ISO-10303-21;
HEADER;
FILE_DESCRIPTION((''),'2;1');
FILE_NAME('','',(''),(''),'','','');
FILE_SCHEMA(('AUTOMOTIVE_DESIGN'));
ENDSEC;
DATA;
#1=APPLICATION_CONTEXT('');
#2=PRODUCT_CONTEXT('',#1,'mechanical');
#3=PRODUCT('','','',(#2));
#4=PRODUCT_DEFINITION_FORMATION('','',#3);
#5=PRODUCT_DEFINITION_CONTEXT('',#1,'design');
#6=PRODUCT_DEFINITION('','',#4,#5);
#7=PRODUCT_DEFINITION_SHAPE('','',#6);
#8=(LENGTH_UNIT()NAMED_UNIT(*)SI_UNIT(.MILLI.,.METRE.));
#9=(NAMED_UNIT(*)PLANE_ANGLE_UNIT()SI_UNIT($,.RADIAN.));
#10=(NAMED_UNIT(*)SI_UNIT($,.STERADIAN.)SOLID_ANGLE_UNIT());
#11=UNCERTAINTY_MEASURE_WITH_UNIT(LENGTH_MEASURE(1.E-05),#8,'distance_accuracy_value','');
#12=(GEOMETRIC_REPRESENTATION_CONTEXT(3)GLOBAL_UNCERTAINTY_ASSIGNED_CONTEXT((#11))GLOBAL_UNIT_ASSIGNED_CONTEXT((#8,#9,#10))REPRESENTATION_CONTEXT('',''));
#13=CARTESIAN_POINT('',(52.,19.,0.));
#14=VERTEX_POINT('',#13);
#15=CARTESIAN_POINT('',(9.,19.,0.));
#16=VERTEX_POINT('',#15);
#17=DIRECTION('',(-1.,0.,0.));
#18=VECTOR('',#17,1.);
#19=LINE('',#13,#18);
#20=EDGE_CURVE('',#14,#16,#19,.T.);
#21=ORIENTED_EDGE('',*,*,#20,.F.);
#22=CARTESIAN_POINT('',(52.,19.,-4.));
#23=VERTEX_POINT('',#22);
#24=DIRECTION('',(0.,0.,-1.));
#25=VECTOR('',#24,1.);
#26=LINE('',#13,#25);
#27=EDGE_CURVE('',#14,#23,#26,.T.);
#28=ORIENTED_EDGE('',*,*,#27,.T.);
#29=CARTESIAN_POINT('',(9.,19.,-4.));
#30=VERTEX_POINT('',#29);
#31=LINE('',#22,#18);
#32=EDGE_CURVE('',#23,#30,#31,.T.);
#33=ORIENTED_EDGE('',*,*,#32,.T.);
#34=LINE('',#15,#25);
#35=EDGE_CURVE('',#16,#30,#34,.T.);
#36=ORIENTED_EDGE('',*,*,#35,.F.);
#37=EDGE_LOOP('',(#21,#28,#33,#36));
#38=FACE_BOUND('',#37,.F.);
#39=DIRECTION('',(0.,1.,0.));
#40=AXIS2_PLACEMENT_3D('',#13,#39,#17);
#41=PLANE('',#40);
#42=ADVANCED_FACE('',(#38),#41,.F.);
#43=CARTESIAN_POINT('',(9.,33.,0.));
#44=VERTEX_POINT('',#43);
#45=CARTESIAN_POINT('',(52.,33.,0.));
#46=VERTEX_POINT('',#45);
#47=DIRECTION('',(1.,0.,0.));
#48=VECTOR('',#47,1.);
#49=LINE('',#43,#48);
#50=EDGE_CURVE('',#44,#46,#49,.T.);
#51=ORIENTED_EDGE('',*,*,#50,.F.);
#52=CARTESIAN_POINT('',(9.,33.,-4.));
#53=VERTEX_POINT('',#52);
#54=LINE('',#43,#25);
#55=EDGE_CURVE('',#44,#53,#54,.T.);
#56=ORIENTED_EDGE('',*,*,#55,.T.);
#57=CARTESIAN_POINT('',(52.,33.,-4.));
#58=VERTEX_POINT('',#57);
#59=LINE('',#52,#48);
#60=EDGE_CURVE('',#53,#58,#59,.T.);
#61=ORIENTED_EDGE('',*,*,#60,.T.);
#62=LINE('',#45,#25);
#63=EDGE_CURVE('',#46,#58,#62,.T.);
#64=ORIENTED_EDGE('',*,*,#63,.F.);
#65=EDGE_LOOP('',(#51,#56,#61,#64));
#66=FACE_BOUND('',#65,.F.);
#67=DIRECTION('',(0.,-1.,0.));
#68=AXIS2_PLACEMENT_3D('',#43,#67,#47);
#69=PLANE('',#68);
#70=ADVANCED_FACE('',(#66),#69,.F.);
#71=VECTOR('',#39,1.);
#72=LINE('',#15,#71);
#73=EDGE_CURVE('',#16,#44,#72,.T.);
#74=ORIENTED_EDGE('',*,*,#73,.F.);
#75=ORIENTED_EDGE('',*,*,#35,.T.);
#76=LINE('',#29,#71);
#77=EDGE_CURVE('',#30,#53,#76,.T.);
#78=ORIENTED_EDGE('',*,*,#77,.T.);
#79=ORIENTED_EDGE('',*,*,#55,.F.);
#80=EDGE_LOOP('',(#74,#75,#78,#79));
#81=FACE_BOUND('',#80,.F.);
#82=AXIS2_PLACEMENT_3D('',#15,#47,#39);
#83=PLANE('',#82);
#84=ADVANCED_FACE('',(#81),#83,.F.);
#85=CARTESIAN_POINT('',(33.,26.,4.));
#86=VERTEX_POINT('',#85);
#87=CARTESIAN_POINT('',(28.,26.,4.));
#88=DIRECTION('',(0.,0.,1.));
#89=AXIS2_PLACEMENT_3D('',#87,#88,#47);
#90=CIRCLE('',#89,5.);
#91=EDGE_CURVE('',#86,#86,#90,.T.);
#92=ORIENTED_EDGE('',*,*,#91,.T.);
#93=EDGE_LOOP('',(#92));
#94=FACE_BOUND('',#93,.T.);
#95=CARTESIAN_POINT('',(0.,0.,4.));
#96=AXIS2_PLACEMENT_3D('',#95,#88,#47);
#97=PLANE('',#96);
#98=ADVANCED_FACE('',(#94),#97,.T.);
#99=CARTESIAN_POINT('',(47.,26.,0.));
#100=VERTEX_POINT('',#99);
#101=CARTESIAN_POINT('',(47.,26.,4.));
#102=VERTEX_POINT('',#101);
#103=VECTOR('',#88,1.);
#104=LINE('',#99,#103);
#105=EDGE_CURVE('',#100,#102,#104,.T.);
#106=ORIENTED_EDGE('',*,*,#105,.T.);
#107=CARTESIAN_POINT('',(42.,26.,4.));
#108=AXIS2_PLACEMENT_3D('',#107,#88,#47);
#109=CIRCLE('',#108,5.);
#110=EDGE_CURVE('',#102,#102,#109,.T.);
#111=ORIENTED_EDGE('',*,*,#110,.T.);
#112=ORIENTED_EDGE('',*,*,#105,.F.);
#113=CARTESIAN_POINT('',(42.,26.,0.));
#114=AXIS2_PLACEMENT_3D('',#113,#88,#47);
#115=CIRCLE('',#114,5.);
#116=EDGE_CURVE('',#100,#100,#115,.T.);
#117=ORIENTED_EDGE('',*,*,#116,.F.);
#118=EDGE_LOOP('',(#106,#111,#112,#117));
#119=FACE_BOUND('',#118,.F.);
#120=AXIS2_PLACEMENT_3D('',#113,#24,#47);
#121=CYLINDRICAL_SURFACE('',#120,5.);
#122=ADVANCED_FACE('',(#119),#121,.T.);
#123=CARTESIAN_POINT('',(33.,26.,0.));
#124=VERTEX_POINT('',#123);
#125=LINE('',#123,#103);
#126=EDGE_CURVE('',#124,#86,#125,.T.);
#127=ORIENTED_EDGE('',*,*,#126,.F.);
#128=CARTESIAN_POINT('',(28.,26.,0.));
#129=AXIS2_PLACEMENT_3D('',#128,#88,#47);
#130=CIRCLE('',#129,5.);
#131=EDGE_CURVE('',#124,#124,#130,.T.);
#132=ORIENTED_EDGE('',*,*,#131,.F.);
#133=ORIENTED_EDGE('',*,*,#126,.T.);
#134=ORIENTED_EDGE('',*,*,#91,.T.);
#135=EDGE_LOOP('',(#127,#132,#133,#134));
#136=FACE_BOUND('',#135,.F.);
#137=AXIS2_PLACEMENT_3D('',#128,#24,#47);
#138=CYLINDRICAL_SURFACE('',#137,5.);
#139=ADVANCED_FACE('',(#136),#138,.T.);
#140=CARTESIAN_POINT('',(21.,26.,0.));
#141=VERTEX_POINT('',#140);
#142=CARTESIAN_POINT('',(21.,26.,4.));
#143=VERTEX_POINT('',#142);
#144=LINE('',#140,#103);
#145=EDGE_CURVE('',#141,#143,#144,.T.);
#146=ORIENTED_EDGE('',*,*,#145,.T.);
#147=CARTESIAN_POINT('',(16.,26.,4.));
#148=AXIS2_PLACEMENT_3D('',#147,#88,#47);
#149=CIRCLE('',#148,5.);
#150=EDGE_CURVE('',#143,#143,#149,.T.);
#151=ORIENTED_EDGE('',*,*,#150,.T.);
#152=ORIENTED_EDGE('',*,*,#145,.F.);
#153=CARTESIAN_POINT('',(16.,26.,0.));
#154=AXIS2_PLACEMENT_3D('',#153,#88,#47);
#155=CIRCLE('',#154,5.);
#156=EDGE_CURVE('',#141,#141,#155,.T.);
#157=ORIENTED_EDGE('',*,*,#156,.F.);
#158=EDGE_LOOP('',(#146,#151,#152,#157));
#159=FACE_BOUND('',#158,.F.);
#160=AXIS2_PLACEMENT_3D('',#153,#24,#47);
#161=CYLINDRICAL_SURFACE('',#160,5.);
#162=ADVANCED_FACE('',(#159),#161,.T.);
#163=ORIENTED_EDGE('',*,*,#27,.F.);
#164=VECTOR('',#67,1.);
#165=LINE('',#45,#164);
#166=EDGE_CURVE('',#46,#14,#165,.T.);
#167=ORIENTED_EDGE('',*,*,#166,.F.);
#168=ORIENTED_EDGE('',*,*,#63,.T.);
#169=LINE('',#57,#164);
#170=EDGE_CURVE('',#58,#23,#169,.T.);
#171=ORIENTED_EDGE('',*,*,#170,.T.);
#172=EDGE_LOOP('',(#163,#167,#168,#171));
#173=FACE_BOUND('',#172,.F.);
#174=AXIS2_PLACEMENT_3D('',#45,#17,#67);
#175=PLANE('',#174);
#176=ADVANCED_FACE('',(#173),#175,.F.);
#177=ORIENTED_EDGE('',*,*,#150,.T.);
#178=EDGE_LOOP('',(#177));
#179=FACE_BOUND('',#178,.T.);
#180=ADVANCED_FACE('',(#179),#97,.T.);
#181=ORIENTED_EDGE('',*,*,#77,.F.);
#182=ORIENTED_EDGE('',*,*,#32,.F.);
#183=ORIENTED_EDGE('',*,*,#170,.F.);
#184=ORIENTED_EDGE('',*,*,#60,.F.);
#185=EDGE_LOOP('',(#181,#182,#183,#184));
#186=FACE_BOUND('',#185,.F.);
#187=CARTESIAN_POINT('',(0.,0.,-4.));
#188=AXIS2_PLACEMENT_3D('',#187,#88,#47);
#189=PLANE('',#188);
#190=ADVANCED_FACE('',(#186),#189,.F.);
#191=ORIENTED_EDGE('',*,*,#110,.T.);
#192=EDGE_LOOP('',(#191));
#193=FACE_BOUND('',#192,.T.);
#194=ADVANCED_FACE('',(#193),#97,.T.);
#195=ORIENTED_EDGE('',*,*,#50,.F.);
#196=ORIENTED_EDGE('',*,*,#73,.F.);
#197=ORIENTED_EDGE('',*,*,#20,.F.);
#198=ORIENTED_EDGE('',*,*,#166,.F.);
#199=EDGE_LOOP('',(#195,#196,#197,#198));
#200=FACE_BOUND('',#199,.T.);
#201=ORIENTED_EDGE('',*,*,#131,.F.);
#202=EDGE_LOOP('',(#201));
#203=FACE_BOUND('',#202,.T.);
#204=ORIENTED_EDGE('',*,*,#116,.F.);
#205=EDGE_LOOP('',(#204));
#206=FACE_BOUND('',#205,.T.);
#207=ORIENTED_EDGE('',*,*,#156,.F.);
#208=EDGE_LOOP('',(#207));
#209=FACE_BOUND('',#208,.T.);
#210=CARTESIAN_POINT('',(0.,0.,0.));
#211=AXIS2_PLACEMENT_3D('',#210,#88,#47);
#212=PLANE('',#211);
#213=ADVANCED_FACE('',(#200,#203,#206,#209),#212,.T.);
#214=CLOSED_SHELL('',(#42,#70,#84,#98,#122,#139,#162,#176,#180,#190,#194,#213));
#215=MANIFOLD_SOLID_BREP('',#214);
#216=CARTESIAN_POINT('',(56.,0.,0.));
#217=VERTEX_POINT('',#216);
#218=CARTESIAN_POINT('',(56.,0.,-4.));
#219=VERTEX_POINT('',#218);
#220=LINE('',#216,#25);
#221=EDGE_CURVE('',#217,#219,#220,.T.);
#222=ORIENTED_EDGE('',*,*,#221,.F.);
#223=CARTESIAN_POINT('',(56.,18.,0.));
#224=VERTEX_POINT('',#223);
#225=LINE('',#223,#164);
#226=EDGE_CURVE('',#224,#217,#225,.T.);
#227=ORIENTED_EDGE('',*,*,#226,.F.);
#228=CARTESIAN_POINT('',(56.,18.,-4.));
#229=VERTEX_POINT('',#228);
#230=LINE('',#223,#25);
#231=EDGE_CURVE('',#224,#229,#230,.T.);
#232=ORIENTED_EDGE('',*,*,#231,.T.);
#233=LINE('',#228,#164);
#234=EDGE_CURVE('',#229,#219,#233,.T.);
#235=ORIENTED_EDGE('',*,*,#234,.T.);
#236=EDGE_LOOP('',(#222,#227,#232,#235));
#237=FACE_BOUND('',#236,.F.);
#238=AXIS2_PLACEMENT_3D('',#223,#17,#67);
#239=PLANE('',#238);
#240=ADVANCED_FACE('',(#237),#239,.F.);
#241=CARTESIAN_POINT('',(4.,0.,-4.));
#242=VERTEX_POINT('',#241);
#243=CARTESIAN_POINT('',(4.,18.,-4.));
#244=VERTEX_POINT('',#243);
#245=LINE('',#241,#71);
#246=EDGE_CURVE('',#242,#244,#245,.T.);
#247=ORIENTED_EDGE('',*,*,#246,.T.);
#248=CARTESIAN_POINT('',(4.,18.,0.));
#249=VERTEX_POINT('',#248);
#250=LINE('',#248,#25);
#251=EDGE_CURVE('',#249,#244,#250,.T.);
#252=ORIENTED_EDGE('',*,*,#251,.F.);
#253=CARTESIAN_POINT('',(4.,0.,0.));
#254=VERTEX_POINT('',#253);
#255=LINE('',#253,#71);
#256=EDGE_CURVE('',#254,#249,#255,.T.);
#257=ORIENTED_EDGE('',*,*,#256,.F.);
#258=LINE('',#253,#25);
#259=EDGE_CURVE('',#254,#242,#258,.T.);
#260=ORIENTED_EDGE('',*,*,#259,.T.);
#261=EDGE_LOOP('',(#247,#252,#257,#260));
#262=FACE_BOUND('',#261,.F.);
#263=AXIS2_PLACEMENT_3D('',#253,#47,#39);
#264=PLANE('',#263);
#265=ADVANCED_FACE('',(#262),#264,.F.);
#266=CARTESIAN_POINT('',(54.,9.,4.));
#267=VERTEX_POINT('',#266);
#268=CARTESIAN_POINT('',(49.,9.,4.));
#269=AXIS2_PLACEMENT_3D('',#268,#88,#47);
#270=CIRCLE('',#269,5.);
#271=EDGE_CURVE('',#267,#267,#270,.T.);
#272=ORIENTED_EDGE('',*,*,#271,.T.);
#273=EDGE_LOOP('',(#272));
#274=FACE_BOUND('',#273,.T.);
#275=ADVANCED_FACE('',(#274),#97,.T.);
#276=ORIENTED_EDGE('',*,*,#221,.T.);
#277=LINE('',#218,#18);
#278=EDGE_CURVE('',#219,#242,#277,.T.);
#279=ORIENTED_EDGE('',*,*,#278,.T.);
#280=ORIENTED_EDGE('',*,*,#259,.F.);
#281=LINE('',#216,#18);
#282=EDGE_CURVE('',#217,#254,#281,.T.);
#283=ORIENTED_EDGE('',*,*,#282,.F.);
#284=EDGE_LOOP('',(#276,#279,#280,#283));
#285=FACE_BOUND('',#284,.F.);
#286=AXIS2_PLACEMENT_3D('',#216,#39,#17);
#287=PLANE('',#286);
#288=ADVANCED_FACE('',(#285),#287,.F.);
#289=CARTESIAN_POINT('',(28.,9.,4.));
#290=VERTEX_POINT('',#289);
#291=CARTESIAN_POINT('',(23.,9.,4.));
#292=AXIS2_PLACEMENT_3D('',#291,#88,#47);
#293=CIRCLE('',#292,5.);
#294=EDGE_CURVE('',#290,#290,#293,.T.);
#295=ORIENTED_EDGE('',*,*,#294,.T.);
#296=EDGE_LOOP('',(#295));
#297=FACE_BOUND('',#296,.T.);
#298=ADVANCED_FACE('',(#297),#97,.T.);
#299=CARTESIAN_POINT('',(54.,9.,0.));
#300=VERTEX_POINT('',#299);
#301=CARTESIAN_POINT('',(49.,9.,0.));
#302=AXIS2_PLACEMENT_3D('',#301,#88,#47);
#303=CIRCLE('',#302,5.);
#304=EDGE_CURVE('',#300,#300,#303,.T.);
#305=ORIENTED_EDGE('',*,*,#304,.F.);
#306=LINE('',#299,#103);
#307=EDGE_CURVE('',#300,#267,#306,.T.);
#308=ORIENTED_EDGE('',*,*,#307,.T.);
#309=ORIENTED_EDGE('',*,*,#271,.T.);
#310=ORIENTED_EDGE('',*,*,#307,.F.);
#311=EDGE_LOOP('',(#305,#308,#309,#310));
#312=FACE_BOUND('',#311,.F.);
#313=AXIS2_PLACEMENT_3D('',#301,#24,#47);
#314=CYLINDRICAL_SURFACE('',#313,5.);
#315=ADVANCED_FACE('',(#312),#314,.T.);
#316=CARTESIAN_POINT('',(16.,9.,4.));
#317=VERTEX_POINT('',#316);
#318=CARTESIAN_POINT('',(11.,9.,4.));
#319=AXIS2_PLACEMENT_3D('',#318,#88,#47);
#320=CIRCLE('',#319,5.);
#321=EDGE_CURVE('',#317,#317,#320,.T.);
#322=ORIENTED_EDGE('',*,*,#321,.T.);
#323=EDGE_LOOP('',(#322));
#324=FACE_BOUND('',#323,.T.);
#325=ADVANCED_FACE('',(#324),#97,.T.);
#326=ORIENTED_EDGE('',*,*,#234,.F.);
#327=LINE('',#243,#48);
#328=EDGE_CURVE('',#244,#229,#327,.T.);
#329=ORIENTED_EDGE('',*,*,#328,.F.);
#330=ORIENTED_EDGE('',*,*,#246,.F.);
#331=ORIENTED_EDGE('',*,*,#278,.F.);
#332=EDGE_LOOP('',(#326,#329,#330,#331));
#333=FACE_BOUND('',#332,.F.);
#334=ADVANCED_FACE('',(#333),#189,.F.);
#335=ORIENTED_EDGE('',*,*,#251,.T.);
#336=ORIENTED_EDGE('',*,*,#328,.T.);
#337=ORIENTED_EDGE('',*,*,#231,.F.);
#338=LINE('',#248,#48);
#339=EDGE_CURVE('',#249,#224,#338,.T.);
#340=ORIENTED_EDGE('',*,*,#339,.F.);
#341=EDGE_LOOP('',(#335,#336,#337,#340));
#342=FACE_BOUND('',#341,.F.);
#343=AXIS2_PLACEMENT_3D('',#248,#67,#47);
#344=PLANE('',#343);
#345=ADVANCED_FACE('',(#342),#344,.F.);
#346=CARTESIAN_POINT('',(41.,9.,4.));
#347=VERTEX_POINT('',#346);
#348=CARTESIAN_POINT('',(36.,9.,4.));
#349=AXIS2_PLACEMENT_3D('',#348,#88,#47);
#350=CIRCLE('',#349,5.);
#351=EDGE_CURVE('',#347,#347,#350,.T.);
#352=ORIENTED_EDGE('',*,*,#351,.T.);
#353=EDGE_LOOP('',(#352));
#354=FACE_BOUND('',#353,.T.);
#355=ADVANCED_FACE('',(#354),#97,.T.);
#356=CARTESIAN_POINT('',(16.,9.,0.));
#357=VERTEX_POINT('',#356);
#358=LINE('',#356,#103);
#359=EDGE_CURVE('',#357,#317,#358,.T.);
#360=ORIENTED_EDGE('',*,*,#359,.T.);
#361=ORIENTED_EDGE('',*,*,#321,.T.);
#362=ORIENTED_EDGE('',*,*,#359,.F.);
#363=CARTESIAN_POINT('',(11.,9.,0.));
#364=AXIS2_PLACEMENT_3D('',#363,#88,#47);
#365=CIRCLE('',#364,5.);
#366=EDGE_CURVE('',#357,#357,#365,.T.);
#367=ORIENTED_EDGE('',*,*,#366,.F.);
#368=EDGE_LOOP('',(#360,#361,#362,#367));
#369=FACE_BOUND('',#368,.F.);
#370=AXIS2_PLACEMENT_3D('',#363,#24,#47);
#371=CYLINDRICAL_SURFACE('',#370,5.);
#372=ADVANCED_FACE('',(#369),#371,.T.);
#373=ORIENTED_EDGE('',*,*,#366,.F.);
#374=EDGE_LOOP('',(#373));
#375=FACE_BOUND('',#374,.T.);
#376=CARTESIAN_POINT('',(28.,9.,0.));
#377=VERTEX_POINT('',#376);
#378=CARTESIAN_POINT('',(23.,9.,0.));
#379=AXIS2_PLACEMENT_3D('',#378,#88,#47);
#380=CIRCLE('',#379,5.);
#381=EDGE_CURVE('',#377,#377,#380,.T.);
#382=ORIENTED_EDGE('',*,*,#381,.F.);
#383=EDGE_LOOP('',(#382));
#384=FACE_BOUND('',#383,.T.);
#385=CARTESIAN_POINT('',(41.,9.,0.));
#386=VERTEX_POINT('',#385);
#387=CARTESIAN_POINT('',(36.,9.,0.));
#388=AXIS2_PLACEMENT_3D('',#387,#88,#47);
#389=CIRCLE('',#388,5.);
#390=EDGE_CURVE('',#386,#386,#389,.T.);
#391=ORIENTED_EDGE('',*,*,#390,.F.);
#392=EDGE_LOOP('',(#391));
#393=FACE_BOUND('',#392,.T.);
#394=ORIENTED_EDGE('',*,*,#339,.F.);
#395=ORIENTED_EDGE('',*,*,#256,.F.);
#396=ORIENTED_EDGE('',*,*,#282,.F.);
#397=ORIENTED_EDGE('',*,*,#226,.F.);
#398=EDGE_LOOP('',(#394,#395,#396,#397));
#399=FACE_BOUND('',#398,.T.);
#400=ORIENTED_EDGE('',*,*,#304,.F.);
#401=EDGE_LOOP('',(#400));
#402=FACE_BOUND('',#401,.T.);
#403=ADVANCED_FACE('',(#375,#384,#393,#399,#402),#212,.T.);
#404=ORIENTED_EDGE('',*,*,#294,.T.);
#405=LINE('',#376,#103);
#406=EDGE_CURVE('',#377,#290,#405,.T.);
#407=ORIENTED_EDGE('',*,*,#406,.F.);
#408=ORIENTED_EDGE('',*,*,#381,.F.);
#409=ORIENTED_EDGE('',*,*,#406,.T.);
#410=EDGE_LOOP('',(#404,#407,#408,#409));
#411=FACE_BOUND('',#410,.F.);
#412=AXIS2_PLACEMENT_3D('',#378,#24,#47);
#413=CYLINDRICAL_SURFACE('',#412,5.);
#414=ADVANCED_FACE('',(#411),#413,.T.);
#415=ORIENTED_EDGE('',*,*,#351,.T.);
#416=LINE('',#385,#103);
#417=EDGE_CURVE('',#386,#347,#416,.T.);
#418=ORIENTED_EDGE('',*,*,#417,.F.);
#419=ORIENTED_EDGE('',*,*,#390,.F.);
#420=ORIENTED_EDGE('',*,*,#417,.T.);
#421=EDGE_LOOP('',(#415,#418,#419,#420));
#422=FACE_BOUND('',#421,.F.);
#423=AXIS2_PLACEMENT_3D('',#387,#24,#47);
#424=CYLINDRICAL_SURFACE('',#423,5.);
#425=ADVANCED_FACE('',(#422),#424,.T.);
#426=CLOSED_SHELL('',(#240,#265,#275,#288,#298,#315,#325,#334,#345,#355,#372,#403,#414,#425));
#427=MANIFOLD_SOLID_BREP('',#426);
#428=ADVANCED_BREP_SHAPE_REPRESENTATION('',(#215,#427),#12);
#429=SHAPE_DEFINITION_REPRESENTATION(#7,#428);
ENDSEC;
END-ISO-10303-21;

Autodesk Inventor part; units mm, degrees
ref_plane "YZ Plane" through (0, 0, 0) normal (1, 0, 0) x (0, 1, 0)
ref_plane "XZ Plane" through (0, 0, 0) normal (0, 1, 0) x (-1, 0, 0)
ref_plane "XY Plane" through (0, 0, 0) normal (0, 0, 1) x (1, 0, 0)
sketch "Sketch1" plane through (0, 0, 0) normal (0, 0, 1) x (1, 0, 0)
  line L0 (4, 18) -> (56, 18)
  line L1 (56, 18) -> (56, 0)
  line L2 (56, 0) -> (4, 0)
  line L3 (4, 0) -> (4, 18)
  point P0 (0, 0)
extrude "Extrusion1" add sketch "Sketch1" against normal blind 4
sketch "Sketch2" plane through (0, 0, 0) normal (0, 0, 1) x (1, 0, 0)
  circle A0 centre (11, 9) radius 5
  circle A1 centre (23, 9) radius 5
  circle A2 centre (36, 9) radius 5
  circle A3 centre (49, 9) radius 5
  point P0 (0, 0)
sketch "Sketch3" plane through (0, 0, 0) normal (0, 0, 1) x (1, 0, 0)
  line L0 (9, 33) -> (52, 33)
  line L1 (52, 33) -> (52, 19)
  line L2 (52, 19) -> (9, 19)
  line L3 (9, 19) -> (9, 33)
  point P0 (0, 0)
extrude "Extrusion2" add sketch "Sketch3" against normal blind 4
sketch "Sketch4" plane through (0, 0, 0) normal (0, 0, 1) x (1, 0, 0)
  circle A0 centre (16, 26) radius 5
  circle A1 centre (28, 26) radius 5
  circle A2 centre (42, 26) radius 5
  point P0 (0, 0)
extrude "Extrusion3" add sketch "Sketch2" along normal blind 4
extrude "Extrusion4" add sketch "Sketch4" along normal blind 4
properties part number "Push Buttons"
